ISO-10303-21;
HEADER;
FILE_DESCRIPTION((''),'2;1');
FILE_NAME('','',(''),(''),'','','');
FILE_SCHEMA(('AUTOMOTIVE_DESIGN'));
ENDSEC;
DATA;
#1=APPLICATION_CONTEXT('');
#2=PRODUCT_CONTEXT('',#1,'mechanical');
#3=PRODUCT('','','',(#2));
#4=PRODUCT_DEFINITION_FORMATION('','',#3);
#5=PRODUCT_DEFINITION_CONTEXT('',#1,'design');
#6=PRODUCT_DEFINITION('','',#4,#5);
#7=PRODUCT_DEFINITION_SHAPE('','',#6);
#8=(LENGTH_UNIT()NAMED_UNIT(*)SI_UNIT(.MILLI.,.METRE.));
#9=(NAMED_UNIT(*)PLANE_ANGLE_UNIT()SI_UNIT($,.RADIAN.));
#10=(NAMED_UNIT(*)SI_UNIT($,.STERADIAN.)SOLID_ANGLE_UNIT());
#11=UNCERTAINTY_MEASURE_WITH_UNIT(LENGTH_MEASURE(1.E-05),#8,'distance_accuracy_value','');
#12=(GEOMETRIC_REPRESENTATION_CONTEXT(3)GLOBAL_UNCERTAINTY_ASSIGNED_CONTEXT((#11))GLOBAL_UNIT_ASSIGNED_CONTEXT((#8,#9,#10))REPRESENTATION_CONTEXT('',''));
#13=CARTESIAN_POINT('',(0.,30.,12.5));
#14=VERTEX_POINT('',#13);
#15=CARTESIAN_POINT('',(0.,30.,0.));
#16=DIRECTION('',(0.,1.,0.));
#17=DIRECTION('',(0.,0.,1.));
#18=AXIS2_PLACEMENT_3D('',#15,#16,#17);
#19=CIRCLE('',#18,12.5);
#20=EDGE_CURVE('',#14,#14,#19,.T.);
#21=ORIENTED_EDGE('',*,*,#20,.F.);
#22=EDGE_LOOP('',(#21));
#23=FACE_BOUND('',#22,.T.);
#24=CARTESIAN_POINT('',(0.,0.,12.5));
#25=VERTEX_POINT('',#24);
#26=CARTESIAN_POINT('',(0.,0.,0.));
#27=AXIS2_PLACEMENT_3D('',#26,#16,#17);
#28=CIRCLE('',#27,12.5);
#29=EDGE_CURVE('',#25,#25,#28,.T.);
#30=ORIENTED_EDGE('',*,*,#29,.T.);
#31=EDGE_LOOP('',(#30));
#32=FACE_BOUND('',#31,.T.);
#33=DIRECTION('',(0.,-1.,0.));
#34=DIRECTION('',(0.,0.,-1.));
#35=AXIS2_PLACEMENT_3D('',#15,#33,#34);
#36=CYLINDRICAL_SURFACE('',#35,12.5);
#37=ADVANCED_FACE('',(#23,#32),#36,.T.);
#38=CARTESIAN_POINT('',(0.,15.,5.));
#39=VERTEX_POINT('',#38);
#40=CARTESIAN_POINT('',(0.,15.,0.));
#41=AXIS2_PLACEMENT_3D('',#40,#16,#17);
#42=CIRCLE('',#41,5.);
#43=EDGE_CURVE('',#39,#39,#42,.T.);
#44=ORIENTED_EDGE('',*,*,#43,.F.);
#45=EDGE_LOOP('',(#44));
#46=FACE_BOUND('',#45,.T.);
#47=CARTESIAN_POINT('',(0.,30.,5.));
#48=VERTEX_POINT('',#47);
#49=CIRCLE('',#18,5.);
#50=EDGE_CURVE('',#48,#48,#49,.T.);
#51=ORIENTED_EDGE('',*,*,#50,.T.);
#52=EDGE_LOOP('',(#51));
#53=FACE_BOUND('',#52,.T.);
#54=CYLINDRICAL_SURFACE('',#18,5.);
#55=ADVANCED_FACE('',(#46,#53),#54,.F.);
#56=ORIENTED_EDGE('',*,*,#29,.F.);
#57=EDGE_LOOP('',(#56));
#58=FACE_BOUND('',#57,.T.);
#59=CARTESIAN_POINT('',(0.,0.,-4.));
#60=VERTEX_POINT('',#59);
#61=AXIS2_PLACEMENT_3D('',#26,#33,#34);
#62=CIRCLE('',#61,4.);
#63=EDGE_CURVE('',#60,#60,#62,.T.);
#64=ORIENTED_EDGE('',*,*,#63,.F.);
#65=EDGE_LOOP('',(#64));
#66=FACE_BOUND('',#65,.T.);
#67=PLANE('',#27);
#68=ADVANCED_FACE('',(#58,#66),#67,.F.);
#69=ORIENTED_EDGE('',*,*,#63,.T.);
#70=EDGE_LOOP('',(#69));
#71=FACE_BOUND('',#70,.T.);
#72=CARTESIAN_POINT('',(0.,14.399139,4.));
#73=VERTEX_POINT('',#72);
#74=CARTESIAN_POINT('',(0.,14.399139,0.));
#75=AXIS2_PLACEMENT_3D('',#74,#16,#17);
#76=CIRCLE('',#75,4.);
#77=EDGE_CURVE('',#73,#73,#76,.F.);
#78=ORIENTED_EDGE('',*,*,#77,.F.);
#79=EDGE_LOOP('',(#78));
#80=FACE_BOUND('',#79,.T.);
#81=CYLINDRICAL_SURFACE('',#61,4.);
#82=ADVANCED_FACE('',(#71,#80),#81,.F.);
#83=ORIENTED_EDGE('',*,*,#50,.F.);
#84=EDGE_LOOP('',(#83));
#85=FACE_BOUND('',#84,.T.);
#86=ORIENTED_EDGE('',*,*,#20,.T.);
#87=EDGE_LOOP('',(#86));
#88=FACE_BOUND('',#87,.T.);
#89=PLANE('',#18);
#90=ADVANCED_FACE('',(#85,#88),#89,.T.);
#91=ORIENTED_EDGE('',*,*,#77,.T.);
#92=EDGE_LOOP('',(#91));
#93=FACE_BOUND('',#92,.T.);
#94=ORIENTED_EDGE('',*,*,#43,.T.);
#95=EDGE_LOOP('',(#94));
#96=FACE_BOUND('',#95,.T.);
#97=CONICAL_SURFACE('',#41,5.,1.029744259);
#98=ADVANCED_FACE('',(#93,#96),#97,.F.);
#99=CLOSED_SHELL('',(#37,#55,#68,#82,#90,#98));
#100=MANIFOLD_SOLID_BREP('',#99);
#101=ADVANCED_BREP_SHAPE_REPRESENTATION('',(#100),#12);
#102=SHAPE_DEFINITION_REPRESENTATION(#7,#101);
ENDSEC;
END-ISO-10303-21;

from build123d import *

# Parameters (mm, degrees)
SKETCH1_R                      = 12.5
BOSS_EXTRUDE1_DEPTH            = 30
F_10_0_10_DIAMETER_HOLE1_D     = 10
F_10_0_10_DIAMETER_HOLE1_DEPTH = 15
F_10_0_10_DIAMETER_HOLE1_TIP   = 3.004303095
F_8_0_8_DIAMETER_HOLE1_D       = 8
F_8_0_8_DIAMETER_HOLE1_DEPTH   = 15
F_8_0_8_DIAMETER_HOLE1_TIP     = 2.403442476


with BuildPart() as part:
    # Sketch1 → Boss-Extrude1 (new body)
    with BuildSketch(Plane(origin=(0, 0, 0), x_dir=(1, 0, 0), z_dir=(0, 1, 0))):
        with Locations(Location((0, 0, 0), (0, 0, 270))):
            Circle(SKETCH1_R)
    extrude(amount=BOSS_EXTRUDE1_DEPTH)

    # Ø10.0 (10) Diameter Hole1
    with Locations(Plane(origin=(0, 30, 0), x_dir=(1, 0, 0), z_dir=(0, 1, 0))):
        with Locations((0, 0)):
            Hole(F_10_0_10_DIAMETER_HOLE1_D / 2, depth=F_10_0_10_DIAMETER_HOLE1_DEPTH)
            with Locations((0, 0, -(F_10_0_10_DIAMETER_HOLE1_DEPTH + F_10_0_10_DIAMETER_HOLE1_TIP / 2))):  # 118° drill point
                Cone(0, F_10_0_10_DIAMETER_HOLE1_D / 2, F_10_0_10_DIAMETER_HOLE1_TIP, mode=Mode.SUBTRACT)

    # Ø8.0 (8) Diameter Hole1
    with Locations(Plane(origin=(0, 0, 0), x_dir=(-1, 0, 0), z_dir=(0, -1, 0))):
        with Locations((0, 0)):
            Hole(F_8_0_8_DIAMETER_HOLE1_D / 2, depth=F_8_0_8_DIAMETER_HOLE1_DEPTH)
            with Locations((0, 0, -(F_8_0_8_DIAMETER_HOLE1_DEPTH + F_8_0_8_DIAMETER_HOLE1_TIP / 2))):  # 118° drill point
                Cone(0, F_8_0_8_DIAMETER_HOLE1_D / 2, F_8_0_8_DIAMETER_HOLE1_TIP, mode=Mode.SUBTRACT)


solid = part.part
